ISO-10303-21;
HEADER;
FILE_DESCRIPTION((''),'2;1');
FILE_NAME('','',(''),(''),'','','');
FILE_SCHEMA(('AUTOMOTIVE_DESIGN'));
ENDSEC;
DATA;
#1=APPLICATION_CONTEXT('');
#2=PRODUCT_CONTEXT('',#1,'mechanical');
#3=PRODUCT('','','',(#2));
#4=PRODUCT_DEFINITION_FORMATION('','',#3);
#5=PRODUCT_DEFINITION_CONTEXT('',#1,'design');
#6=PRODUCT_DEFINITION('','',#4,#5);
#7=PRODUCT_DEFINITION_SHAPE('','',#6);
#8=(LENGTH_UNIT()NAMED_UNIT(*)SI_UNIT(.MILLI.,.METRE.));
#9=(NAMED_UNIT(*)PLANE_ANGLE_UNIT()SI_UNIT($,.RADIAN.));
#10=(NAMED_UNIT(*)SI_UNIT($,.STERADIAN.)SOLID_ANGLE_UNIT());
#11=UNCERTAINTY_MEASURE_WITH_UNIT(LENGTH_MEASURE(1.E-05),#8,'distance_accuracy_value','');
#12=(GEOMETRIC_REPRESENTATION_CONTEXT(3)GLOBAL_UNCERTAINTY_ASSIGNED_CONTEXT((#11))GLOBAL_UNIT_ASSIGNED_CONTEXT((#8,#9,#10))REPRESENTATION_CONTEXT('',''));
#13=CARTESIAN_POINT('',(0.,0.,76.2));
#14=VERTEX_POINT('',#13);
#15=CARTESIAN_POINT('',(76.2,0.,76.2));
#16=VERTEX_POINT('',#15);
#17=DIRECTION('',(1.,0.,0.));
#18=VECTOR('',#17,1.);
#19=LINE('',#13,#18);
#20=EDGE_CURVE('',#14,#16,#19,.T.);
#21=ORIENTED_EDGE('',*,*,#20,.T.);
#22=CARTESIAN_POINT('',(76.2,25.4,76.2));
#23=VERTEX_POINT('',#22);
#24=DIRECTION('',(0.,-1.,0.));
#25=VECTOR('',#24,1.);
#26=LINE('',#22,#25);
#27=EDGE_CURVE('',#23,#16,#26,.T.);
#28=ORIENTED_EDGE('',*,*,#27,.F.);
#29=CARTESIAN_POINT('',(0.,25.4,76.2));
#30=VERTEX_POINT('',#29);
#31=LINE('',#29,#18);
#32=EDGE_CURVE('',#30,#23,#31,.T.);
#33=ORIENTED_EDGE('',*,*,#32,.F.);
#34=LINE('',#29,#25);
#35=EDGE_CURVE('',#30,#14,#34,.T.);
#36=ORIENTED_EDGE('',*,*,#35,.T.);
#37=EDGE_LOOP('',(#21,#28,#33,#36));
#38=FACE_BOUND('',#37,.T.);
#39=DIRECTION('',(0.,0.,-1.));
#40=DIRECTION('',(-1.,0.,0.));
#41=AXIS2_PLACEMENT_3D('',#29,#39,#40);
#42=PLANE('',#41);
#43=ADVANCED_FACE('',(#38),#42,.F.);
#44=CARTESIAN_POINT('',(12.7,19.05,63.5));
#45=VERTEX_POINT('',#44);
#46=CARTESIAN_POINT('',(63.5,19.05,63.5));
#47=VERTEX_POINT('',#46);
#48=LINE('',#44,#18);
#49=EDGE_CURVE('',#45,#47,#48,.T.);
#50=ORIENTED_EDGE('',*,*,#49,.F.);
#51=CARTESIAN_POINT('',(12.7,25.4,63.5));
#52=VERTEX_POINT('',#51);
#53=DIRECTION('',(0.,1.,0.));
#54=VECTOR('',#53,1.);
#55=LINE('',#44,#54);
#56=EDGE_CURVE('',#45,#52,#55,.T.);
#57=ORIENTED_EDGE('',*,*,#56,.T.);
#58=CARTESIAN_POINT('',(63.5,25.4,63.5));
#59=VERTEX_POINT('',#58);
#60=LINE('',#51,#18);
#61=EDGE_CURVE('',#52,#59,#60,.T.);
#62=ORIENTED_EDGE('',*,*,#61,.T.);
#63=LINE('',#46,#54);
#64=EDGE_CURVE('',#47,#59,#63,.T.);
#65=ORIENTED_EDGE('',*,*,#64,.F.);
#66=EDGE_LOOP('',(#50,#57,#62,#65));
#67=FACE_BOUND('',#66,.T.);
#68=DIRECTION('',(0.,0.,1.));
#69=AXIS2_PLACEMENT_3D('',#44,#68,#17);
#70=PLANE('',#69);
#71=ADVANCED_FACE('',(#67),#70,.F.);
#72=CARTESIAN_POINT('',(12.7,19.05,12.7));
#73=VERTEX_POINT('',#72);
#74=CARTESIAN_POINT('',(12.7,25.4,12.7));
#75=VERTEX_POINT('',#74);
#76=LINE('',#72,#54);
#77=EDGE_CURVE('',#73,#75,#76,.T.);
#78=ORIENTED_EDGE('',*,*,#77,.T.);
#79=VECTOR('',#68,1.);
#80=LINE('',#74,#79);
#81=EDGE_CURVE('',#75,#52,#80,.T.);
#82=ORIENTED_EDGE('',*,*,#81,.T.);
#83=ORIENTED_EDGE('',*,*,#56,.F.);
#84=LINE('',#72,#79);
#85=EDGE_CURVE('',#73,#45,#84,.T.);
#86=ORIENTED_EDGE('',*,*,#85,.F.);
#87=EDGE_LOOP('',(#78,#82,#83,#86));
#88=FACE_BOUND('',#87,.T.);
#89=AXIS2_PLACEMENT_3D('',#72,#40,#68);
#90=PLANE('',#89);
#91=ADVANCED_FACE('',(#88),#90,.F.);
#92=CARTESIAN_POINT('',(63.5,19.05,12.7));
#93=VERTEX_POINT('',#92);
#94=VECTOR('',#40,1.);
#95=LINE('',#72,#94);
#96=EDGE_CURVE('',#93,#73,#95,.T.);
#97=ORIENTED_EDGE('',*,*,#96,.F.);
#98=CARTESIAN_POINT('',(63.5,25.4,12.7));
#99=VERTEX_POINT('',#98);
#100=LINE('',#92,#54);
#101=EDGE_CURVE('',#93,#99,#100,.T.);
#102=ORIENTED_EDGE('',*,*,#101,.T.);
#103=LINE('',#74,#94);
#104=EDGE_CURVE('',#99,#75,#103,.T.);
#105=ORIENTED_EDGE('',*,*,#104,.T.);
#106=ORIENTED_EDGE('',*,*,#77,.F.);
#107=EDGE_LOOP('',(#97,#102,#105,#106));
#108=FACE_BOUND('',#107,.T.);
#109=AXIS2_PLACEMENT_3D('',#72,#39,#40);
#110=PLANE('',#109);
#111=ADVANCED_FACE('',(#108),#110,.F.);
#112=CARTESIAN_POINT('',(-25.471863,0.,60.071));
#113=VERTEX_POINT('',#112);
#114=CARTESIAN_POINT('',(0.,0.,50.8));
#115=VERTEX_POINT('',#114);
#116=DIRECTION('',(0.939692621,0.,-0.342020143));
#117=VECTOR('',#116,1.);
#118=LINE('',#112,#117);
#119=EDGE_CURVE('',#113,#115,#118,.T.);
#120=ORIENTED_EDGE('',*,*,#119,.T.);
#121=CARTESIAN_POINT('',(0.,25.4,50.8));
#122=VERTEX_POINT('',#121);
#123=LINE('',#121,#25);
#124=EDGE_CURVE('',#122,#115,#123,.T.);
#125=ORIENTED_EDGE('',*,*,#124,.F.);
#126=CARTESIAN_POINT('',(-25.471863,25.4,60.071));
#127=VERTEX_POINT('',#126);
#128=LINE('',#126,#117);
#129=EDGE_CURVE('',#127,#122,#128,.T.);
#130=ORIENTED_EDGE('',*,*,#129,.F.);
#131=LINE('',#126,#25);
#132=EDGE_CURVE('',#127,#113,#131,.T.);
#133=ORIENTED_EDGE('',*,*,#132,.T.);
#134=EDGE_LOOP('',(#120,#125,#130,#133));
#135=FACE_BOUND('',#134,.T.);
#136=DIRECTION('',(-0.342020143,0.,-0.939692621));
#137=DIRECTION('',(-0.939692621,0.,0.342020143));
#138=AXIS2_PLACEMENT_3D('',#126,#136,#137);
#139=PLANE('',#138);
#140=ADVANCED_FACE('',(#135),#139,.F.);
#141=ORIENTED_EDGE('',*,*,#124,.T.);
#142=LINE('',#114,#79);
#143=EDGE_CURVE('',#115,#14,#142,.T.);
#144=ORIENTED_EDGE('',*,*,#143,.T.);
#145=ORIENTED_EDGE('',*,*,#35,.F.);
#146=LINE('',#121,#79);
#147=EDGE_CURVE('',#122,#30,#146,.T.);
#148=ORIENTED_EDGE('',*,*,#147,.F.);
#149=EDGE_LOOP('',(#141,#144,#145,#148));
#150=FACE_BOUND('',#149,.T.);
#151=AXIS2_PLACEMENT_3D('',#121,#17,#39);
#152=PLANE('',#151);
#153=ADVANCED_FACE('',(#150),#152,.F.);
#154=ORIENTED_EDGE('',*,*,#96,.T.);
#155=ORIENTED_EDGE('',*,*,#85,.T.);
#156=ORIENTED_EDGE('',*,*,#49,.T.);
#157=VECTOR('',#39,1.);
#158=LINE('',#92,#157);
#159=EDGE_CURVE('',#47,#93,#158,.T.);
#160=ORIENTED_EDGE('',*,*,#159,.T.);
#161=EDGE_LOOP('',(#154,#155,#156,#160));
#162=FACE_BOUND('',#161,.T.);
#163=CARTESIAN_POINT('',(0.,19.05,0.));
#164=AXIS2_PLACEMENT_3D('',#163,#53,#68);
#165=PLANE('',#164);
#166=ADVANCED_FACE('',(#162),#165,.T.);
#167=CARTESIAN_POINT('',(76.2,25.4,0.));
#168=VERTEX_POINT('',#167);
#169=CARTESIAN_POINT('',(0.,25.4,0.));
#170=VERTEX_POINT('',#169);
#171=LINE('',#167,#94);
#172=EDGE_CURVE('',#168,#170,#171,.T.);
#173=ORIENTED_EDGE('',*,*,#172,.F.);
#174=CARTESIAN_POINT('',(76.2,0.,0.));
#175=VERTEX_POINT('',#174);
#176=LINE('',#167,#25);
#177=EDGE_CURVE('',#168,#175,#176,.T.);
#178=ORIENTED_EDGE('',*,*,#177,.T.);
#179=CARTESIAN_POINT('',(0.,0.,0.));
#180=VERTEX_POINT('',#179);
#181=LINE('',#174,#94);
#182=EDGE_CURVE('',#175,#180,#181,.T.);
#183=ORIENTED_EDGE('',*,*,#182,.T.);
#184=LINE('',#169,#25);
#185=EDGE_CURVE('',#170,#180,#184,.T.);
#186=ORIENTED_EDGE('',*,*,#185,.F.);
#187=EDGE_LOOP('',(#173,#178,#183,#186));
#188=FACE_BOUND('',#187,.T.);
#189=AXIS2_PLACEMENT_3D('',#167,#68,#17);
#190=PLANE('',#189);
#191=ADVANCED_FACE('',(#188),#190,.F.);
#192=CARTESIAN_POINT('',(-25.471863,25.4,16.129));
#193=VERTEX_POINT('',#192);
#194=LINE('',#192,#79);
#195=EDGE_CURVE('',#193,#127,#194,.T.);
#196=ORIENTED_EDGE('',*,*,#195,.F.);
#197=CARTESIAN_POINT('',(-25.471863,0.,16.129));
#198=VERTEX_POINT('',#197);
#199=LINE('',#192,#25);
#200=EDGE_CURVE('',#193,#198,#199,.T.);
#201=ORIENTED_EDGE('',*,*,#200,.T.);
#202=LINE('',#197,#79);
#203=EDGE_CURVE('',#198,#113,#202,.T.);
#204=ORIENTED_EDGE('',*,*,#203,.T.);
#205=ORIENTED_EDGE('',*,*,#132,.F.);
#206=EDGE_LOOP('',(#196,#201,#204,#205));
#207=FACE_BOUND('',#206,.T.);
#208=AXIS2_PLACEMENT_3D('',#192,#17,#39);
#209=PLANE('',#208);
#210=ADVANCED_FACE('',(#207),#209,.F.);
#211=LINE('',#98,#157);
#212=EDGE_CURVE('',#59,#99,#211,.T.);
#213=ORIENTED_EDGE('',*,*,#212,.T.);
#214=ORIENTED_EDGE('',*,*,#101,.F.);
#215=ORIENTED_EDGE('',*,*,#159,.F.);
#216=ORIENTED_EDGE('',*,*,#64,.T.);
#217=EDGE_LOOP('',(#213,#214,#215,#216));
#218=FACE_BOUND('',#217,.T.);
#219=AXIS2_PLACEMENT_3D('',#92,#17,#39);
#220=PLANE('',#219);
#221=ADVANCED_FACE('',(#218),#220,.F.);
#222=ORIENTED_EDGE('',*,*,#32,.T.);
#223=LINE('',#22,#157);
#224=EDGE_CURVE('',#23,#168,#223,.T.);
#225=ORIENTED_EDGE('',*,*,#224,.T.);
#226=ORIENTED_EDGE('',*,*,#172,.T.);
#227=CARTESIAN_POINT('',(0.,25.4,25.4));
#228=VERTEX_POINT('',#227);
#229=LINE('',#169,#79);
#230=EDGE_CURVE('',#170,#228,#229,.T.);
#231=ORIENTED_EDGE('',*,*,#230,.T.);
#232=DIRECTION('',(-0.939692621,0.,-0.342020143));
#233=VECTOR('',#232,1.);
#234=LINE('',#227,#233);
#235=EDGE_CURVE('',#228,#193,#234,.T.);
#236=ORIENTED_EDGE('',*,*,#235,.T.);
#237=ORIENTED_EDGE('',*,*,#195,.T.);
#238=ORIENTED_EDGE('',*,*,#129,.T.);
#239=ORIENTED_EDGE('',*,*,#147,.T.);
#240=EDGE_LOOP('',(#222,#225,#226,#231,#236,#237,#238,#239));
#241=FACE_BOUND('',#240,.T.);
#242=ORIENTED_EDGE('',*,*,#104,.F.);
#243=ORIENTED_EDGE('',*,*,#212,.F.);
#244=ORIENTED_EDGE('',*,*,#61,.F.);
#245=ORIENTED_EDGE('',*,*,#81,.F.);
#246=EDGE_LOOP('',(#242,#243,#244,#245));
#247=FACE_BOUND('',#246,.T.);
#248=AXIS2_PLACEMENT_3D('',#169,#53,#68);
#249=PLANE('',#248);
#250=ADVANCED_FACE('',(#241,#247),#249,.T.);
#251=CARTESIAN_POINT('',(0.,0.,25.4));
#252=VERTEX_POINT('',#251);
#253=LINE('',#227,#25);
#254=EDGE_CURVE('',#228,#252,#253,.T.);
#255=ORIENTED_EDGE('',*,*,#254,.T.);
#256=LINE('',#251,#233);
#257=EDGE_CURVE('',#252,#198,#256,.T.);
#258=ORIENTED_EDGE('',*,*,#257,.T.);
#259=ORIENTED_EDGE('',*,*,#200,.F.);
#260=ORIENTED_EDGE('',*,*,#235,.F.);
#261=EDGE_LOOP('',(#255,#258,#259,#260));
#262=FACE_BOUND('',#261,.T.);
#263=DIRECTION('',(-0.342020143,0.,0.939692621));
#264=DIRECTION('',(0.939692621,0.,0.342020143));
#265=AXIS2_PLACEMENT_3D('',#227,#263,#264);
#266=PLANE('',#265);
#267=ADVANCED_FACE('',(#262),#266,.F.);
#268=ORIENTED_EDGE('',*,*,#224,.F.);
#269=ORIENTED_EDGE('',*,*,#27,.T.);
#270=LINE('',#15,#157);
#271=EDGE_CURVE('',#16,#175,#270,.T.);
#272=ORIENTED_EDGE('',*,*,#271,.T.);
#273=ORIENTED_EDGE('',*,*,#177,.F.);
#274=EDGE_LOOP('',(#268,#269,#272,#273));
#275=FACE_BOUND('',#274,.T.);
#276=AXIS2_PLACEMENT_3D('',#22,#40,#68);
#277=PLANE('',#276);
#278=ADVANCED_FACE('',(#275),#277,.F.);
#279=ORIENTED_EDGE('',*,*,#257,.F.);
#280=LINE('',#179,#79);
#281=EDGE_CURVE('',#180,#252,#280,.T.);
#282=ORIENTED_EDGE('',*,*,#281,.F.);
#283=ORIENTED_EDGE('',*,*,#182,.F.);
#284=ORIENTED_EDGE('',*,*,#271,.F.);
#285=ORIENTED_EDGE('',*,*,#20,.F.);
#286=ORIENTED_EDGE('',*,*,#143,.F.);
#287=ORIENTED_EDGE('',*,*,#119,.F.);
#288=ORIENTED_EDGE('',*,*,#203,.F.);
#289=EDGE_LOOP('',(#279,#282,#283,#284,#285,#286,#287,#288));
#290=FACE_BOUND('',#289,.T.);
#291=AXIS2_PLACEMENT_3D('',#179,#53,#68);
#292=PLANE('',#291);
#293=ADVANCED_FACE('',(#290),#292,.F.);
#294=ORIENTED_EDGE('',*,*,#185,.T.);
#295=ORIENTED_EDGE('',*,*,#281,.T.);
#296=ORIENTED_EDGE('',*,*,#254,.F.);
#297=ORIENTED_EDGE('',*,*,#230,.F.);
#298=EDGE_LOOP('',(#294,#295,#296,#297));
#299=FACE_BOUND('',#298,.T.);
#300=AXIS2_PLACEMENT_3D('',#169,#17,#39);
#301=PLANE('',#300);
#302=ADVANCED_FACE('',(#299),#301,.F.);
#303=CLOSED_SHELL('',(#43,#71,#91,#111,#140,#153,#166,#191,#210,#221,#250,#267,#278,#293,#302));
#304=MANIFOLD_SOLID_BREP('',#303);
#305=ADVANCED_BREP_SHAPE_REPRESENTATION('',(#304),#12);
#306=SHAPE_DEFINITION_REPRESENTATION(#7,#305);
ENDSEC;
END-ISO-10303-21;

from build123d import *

# Parameters (mm, degrees)
BOSS_EXTRUDE1_DEPTH = 25.4
SKETCH2_W           = 50.8
SKETCH2_H           = 50.8
CUT_EXTRUDE1_DEPTH  = 6.35


with BuildPart() as part:
    # Sketch1 → Boss-Extrude1 (new body)
    with BuildSketch(Plane(origin=(0, 0, 0), x_dir=(1, 0, 0), z_dir=(0, 1, 0))):
        Polygon((0, -25.4), (-25.471863156, -16.129), (-25.471863156, -60.071), (0, -50.8), (0, -76.2), (76.2, -76.2), (76.2, 0), (0, 0), align=None)
    extrude(amount=BOSS_EXTRUDE1_DEPTH)

    # Sketch2 → Cut-Extrude1 (cut)
    with BuildSketch(Plane(origin=(0, 25.4, 0), x_dir=(1, 0, 0), z_dir=(0, 1, 0))):
        with Locations((38.1, -38.1)):
            Rectangle(SKETCH2_W, SKETCH2_H)
    extrude(amount=-CUT_EXTRUDE1_DEPTH, mode=Mode.SUBTRACT)


solid = part.part
